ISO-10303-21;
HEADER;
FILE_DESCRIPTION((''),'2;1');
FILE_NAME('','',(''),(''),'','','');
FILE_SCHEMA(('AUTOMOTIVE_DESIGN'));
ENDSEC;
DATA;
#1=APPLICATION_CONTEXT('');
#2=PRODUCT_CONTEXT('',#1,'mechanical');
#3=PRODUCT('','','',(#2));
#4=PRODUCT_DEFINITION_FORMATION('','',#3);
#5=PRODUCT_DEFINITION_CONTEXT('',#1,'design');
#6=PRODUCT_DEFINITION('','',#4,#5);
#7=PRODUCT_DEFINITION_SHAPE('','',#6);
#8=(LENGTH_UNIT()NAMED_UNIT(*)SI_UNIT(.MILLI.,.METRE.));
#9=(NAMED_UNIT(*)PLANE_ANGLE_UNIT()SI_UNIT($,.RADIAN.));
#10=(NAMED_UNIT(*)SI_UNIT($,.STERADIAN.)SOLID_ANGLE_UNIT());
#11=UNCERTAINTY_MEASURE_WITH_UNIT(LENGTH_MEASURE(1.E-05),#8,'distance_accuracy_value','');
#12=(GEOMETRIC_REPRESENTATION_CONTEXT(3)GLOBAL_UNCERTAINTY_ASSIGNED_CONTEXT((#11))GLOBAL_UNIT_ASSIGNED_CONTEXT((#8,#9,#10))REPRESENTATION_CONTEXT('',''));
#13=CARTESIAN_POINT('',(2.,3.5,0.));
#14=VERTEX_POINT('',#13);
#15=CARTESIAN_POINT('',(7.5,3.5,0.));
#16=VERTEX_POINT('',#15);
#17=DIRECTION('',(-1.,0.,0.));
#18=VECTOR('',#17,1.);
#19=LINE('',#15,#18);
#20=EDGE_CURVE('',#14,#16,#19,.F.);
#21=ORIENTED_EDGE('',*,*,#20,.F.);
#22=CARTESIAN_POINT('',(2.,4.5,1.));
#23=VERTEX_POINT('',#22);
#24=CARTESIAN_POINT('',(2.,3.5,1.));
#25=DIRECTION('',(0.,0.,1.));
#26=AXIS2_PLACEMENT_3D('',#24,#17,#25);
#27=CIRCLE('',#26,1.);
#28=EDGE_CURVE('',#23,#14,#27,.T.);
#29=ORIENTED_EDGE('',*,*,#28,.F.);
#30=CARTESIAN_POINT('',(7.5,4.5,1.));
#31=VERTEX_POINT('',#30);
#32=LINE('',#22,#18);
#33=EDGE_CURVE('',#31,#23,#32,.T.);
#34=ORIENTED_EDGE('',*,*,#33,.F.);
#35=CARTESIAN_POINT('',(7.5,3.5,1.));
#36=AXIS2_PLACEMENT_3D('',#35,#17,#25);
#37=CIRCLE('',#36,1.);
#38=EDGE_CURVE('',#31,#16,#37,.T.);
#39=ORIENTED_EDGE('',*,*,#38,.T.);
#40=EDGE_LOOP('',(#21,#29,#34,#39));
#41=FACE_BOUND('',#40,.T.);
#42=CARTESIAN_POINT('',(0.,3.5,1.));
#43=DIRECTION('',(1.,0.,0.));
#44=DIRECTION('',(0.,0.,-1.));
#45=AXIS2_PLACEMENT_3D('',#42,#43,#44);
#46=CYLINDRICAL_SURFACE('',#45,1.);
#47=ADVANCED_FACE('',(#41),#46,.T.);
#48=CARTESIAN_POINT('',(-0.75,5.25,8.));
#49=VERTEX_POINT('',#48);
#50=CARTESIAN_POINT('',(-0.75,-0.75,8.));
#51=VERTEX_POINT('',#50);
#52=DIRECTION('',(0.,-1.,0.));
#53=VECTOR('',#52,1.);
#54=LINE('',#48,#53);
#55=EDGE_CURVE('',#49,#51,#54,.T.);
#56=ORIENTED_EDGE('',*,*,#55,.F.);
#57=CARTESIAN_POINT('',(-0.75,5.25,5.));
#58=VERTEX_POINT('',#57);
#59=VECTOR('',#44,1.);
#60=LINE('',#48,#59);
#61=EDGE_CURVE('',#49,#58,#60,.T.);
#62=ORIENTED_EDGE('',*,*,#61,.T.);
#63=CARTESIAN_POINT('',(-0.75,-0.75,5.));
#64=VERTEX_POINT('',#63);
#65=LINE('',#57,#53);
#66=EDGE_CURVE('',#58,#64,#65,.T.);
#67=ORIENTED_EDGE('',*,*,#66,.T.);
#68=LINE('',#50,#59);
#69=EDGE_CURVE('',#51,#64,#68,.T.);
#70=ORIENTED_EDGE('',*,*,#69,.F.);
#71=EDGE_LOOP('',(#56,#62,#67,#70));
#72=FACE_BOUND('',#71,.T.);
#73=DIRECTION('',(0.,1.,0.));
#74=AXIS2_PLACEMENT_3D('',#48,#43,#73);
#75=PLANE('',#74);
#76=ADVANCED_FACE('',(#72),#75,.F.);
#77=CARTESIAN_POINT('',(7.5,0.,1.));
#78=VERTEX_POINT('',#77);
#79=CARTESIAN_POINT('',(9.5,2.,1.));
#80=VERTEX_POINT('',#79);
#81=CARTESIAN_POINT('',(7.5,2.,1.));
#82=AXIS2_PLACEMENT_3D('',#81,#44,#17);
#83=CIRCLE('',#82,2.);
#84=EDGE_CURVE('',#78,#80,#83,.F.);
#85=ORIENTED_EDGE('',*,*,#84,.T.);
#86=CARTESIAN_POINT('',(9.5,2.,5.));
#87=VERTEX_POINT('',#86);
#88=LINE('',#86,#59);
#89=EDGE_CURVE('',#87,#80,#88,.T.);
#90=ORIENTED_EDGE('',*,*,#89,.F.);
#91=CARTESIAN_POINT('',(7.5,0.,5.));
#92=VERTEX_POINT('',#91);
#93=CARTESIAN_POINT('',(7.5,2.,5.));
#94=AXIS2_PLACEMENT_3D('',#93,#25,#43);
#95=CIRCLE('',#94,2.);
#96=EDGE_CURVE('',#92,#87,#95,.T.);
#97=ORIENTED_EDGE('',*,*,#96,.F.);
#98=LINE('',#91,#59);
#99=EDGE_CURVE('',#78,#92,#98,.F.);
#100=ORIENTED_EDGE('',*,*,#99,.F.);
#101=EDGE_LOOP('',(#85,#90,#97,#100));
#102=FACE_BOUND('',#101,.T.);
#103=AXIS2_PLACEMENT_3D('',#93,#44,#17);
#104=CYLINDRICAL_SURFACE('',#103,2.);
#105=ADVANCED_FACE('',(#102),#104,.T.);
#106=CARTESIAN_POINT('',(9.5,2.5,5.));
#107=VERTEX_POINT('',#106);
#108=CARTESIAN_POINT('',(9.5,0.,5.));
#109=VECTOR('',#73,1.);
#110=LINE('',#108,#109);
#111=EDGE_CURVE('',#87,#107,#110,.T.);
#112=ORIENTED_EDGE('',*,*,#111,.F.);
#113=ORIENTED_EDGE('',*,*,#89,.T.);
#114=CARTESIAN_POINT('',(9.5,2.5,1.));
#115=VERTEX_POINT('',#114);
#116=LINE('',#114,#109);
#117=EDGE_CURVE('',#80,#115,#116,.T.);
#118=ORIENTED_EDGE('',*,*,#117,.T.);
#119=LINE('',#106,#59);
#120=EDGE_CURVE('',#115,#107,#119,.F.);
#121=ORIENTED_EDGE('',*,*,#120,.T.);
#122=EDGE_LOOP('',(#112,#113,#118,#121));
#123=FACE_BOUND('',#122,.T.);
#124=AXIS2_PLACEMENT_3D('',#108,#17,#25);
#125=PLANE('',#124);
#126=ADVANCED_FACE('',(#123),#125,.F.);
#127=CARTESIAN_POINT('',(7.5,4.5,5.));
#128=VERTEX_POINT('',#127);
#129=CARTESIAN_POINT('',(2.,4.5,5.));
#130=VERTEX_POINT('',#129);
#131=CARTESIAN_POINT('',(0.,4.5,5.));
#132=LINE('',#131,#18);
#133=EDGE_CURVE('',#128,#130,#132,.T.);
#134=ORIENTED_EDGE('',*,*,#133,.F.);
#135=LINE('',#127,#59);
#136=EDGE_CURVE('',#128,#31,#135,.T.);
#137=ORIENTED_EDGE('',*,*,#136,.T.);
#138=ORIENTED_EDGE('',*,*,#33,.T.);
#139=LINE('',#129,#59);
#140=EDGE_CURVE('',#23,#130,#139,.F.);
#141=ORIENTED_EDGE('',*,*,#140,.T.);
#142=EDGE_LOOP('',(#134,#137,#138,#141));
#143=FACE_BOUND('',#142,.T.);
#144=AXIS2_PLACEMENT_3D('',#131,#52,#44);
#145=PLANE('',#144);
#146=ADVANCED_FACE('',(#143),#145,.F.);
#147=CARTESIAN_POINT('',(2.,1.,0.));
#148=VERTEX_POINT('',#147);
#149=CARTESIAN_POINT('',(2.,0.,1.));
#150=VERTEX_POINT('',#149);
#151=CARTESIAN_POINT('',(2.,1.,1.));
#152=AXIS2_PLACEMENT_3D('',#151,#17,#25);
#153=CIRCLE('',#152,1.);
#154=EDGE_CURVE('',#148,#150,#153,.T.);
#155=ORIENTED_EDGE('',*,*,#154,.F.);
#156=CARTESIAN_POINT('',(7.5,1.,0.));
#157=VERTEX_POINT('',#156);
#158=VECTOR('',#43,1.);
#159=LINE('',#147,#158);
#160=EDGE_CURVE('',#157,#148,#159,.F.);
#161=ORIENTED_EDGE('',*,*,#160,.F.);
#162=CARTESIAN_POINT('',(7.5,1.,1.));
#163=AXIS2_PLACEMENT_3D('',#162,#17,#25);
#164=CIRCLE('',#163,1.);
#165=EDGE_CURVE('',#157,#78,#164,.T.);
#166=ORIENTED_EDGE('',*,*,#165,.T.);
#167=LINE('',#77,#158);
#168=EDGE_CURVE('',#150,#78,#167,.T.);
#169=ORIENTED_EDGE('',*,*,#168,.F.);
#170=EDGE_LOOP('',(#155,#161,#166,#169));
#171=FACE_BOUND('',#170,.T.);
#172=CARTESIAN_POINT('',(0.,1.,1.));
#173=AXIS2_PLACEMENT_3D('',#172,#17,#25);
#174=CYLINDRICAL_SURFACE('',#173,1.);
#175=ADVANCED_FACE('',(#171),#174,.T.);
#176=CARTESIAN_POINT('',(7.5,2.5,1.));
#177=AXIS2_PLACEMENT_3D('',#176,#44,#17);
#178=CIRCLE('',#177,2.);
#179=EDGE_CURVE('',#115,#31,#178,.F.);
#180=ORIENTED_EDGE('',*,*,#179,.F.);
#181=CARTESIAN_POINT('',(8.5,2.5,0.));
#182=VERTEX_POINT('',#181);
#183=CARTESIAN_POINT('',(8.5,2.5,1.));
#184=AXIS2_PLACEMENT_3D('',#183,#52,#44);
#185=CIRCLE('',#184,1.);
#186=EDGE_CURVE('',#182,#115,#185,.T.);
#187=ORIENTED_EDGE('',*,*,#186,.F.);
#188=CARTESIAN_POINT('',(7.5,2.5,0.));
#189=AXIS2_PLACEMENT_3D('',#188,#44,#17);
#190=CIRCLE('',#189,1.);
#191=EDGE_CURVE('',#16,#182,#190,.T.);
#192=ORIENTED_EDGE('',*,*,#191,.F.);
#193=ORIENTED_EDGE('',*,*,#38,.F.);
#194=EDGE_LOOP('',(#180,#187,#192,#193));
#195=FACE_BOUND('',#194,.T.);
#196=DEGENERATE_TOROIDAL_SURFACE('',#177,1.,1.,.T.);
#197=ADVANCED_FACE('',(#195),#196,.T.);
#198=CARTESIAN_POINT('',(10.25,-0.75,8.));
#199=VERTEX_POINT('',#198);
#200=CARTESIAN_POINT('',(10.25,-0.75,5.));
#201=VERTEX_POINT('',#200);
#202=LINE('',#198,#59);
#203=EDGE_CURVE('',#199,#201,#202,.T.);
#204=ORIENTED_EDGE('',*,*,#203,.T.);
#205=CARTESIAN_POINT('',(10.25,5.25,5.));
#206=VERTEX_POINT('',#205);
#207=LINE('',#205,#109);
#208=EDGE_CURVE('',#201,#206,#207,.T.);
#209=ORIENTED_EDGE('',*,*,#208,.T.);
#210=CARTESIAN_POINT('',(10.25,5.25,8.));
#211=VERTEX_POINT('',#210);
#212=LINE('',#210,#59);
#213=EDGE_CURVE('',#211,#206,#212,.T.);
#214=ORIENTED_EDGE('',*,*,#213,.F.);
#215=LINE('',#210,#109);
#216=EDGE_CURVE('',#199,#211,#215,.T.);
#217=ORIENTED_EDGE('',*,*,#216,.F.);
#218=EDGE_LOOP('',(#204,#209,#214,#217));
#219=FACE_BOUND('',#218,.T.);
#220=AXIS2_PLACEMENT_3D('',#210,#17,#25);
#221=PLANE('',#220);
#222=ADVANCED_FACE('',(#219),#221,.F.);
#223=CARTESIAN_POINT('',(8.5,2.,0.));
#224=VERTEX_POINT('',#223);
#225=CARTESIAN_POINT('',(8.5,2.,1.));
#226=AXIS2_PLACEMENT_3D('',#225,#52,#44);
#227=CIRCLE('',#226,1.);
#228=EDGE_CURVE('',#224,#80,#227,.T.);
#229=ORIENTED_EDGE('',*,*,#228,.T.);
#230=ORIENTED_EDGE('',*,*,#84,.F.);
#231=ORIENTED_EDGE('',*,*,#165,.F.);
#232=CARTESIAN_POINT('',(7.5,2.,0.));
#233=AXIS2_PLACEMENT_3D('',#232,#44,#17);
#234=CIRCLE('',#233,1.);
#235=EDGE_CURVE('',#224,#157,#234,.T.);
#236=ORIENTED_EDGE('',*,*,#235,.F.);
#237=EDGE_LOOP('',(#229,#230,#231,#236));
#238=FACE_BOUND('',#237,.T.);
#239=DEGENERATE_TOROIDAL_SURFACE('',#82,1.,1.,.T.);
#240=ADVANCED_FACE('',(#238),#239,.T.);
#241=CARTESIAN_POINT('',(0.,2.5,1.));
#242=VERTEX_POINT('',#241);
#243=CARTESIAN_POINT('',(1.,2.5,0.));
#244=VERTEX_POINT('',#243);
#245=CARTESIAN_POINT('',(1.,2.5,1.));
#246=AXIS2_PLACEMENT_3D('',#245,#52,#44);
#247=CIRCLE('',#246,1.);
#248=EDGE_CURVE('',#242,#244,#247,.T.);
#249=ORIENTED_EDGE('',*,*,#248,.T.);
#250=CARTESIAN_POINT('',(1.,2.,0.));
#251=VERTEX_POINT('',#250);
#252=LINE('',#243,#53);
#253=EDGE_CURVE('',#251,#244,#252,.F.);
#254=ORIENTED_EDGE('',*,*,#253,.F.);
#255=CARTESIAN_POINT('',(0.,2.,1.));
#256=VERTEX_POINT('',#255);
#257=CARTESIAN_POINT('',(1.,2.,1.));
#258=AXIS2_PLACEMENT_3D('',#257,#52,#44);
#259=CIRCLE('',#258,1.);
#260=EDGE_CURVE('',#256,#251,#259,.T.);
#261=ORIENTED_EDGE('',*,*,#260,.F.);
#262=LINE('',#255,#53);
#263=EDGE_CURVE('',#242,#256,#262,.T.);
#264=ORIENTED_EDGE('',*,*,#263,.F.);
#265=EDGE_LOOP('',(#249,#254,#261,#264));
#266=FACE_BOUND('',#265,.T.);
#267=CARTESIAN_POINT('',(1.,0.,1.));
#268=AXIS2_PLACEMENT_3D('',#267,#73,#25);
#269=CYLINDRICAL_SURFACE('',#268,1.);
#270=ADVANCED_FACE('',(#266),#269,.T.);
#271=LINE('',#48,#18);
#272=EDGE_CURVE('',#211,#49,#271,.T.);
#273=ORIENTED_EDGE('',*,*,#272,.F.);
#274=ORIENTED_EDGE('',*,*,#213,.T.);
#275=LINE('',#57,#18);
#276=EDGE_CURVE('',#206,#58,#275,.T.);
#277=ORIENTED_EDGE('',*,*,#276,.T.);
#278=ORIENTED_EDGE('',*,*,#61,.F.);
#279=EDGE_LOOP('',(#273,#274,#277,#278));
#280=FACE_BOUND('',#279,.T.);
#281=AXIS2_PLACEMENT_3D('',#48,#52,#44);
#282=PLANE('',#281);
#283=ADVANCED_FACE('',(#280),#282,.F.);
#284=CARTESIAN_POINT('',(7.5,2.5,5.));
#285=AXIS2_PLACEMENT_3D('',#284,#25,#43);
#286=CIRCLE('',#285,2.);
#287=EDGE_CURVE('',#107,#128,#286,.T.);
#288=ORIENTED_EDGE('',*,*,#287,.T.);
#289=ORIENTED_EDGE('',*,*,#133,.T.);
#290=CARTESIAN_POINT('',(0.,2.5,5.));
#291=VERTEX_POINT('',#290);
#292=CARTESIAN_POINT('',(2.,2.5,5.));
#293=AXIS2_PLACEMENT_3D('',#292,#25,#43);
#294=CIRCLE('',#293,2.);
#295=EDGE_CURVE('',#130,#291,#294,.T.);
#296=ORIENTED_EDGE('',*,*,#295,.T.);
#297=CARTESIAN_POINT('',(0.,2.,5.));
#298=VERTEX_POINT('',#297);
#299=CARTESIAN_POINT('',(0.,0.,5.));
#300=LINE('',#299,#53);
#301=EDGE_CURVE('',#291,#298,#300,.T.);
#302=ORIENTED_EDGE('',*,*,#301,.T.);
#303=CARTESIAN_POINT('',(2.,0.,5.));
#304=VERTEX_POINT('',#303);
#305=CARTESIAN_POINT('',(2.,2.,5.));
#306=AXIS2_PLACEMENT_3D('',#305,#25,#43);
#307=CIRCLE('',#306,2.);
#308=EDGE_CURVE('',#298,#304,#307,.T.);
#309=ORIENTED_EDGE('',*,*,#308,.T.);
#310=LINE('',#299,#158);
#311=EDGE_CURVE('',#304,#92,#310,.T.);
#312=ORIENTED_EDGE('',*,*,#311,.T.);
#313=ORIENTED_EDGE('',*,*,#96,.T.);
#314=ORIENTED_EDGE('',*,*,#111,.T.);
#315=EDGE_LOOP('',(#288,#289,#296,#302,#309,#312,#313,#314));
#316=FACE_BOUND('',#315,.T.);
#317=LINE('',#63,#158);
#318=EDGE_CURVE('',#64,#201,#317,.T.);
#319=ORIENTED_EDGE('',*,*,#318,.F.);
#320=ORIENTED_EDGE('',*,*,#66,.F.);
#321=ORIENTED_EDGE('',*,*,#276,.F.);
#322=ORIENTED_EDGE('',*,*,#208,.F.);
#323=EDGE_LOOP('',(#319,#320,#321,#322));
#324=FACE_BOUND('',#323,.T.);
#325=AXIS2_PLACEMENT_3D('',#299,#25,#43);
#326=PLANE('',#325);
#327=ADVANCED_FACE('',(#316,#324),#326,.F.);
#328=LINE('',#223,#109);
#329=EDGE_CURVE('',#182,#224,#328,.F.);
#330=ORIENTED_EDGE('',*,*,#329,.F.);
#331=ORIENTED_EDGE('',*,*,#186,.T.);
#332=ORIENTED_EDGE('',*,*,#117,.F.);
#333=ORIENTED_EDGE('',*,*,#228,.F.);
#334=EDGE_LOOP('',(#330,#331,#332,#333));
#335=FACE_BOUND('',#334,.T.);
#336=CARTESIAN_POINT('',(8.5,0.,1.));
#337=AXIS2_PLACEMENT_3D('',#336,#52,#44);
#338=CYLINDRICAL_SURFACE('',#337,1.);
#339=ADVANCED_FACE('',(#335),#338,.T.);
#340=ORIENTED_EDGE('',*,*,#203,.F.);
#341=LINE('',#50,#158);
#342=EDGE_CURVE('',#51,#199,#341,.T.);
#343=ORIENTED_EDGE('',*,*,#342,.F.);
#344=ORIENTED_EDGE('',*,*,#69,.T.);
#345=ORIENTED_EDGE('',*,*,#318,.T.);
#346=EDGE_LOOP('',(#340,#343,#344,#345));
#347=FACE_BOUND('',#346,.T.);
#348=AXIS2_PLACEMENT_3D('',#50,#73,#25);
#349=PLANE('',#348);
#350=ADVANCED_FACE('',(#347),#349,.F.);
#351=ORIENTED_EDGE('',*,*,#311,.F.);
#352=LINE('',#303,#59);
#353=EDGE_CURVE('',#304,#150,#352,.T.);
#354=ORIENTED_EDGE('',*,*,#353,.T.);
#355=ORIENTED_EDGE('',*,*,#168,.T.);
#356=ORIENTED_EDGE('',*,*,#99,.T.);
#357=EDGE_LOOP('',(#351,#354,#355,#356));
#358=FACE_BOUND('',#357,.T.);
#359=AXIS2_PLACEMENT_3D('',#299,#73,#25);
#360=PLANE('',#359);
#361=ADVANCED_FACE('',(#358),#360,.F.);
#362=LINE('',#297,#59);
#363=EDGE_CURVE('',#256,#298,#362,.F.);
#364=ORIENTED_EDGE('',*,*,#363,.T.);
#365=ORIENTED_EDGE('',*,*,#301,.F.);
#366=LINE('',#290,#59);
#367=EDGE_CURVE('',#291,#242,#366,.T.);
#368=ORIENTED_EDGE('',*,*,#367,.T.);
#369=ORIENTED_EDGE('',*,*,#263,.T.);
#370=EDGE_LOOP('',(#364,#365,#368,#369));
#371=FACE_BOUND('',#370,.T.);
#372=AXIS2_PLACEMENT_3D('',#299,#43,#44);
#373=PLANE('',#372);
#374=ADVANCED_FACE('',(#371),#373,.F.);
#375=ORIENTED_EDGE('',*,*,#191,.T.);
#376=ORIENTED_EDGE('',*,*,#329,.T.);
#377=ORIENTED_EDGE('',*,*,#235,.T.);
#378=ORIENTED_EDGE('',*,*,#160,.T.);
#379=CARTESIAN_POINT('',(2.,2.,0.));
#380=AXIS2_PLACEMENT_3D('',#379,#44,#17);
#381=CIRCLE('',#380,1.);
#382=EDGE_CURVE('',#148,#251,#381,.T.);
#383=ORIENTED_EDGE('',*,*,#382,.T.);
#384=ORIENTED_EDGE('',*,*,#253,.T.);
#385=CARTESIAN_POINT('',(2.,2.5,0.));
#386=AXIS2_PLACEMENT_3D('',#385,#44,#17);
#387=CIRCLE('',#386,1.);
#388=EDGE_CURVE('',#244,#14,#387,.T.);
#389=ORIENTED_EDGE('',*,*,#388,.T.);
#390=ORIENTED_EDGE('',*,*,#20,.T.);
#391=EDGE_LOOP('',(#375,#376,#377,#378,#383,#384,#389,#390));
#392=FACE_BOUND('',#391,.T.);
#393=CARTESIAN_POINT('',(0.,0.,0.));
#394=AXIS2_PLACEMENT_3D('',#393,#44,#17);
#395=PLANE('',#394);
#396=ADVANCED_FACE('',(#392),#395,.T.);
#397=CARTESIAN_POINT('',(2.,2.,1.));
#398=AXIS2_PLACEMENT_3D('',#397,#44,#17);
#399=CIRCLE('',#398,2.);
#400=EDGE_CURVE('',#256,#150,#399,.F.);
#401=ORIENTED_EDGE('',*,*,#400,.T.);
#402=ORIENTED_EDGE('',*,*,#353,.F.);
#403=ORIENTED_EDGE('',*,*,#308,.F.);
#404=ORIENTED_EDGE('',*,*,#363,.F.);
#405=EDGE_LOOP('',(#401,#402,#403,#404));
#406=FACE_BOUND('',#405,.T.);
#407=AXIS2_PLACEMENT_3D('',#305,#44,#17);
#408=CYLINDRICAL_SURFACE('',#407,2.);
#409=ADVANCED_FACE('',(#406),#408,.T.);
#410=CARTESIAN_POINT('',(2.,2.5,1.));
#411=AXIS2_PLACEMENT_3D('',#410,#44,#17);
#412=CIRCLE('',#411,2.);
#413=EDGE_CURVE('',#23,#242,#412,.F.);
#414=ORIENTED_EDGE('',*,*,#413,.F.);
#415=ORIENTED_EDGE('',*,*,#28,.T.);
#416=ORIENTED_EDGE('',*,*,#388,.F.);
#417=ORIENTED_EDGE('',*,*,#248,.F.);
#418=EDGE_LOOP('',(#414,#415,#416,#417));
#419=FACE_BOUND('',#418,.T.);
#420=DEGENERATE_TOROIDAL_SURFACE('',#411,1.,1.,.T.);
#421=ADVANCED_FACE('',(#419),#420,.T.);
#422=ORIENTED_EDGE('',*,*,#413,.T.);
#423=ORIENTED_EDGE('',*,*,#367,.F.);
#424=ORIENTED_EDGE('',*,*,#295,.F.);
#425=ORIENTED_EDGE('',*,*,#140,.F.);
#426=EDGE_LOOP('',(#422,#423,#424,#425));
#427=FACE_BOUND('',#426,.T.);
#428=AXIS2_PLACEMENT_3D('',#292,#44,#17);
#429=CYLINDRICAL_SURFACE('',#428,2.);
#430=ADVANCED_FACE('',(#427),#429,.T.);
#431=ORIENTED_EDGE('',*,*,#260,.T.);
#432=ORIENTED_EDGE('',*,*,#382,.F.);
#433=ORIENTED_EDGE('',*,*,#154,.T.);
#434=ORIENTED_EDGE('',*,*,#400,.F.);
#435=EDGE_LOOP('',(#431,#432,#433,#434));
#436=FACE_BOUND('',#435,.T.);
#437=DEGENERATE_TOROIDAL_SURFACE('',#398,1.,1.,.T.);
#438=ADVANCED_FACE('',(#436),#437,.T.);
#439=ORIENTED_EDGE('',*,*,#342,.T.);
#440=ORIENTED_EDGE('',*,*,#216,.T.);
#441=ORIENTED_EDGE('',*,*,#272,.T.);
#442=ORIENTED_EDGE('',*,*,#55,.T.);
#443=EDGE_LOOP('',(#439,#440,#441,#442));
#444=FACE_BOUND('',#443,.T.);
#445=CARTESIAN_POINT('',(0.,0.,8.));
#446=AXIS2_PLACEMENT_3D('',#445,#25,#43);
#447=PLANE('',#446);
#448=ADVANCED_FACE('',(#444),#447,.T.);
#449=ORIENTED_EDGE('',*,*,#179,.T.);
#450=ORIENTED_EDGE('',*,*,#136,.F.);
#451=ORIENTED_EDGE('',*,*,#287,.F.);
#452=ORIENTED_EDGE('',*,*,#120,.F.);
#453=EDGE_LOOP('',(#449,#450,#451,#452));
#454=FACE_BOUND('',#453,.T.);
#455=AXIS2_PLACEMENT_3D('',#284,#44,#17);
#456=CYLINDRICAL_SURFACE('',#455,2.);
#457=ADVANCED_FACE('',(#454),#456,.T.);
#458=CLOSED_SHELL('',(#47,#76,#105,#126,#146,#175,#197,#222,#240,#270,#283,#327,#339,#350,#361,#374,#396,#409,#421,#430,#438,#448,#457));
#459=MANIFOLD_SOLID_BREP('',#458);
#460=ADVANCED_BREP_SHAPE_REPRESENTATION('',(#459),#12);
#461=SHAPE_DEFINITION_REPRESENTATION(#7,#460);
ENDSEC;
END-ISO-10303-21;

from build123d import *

# Parameters (mm, degrees)
SKETCH1_W           = 9.5
SKETCH1_H           = 4.5
BOSS_EXTRUDE1_DEPTH = 5
SKETCH2_W           = 11
SKETCH2_H           = 6
BOSS_EXTRUDE2_DEPTH = 3
FILLET1_R           = 2
FILLET2_R           = 1


with BuildPart() as part:
    # Sketch1 → Boss-Extrude1 (new body)
    with BuildSketch(Plane.XY):
        with Locations((4.75, 2.25)):
            Rectangle(SKETCH1_W, SKETCH1_H)
    extrude(amount=BOSS_EXTRUDE1_DEPTH)

    # Sketch2 → Boss-Extrude2 (add)
    with BuildSketch(Plane.XY.offset(5)):
        with Locations((4.75, 2.25)):
            Rectangle(SKETCH2_W, SKETCH2_H)
    extrude(amount=BOSS_EXTRUDE2_DEPTH)

    # Fillet1
    fillet1_edges = [part.edges().sort_by_distance(p)[0] for p in [
        (0, 4.5, 2.5),
        (9.5, 4.5, 2.5),
        (9.5, 0, 2.5),
        (0, 0, 2.5),
    ]]
    fillet(fillet1_edges, radius=FILLET1_R)

    # Fillet2
    fillet2_edges = [part.edges().sort_by_distance(p)[0] for p in [
        (0, 2.25, 0),
        (4.75, 4.5, 0),
        (9.5, 2.25, 0),
        (4.75, 0, 0),
        (0.585786438, 0.585786438, 0),
        (8.914213562, 0.585786438, 0),
        (8.914213562, 3.914213562, 0),
        (0.585786438, 3.914213562, 0),
    ]]
    fillet(fillet2_edges, radius=FILLET2_R)


solid = part.part
